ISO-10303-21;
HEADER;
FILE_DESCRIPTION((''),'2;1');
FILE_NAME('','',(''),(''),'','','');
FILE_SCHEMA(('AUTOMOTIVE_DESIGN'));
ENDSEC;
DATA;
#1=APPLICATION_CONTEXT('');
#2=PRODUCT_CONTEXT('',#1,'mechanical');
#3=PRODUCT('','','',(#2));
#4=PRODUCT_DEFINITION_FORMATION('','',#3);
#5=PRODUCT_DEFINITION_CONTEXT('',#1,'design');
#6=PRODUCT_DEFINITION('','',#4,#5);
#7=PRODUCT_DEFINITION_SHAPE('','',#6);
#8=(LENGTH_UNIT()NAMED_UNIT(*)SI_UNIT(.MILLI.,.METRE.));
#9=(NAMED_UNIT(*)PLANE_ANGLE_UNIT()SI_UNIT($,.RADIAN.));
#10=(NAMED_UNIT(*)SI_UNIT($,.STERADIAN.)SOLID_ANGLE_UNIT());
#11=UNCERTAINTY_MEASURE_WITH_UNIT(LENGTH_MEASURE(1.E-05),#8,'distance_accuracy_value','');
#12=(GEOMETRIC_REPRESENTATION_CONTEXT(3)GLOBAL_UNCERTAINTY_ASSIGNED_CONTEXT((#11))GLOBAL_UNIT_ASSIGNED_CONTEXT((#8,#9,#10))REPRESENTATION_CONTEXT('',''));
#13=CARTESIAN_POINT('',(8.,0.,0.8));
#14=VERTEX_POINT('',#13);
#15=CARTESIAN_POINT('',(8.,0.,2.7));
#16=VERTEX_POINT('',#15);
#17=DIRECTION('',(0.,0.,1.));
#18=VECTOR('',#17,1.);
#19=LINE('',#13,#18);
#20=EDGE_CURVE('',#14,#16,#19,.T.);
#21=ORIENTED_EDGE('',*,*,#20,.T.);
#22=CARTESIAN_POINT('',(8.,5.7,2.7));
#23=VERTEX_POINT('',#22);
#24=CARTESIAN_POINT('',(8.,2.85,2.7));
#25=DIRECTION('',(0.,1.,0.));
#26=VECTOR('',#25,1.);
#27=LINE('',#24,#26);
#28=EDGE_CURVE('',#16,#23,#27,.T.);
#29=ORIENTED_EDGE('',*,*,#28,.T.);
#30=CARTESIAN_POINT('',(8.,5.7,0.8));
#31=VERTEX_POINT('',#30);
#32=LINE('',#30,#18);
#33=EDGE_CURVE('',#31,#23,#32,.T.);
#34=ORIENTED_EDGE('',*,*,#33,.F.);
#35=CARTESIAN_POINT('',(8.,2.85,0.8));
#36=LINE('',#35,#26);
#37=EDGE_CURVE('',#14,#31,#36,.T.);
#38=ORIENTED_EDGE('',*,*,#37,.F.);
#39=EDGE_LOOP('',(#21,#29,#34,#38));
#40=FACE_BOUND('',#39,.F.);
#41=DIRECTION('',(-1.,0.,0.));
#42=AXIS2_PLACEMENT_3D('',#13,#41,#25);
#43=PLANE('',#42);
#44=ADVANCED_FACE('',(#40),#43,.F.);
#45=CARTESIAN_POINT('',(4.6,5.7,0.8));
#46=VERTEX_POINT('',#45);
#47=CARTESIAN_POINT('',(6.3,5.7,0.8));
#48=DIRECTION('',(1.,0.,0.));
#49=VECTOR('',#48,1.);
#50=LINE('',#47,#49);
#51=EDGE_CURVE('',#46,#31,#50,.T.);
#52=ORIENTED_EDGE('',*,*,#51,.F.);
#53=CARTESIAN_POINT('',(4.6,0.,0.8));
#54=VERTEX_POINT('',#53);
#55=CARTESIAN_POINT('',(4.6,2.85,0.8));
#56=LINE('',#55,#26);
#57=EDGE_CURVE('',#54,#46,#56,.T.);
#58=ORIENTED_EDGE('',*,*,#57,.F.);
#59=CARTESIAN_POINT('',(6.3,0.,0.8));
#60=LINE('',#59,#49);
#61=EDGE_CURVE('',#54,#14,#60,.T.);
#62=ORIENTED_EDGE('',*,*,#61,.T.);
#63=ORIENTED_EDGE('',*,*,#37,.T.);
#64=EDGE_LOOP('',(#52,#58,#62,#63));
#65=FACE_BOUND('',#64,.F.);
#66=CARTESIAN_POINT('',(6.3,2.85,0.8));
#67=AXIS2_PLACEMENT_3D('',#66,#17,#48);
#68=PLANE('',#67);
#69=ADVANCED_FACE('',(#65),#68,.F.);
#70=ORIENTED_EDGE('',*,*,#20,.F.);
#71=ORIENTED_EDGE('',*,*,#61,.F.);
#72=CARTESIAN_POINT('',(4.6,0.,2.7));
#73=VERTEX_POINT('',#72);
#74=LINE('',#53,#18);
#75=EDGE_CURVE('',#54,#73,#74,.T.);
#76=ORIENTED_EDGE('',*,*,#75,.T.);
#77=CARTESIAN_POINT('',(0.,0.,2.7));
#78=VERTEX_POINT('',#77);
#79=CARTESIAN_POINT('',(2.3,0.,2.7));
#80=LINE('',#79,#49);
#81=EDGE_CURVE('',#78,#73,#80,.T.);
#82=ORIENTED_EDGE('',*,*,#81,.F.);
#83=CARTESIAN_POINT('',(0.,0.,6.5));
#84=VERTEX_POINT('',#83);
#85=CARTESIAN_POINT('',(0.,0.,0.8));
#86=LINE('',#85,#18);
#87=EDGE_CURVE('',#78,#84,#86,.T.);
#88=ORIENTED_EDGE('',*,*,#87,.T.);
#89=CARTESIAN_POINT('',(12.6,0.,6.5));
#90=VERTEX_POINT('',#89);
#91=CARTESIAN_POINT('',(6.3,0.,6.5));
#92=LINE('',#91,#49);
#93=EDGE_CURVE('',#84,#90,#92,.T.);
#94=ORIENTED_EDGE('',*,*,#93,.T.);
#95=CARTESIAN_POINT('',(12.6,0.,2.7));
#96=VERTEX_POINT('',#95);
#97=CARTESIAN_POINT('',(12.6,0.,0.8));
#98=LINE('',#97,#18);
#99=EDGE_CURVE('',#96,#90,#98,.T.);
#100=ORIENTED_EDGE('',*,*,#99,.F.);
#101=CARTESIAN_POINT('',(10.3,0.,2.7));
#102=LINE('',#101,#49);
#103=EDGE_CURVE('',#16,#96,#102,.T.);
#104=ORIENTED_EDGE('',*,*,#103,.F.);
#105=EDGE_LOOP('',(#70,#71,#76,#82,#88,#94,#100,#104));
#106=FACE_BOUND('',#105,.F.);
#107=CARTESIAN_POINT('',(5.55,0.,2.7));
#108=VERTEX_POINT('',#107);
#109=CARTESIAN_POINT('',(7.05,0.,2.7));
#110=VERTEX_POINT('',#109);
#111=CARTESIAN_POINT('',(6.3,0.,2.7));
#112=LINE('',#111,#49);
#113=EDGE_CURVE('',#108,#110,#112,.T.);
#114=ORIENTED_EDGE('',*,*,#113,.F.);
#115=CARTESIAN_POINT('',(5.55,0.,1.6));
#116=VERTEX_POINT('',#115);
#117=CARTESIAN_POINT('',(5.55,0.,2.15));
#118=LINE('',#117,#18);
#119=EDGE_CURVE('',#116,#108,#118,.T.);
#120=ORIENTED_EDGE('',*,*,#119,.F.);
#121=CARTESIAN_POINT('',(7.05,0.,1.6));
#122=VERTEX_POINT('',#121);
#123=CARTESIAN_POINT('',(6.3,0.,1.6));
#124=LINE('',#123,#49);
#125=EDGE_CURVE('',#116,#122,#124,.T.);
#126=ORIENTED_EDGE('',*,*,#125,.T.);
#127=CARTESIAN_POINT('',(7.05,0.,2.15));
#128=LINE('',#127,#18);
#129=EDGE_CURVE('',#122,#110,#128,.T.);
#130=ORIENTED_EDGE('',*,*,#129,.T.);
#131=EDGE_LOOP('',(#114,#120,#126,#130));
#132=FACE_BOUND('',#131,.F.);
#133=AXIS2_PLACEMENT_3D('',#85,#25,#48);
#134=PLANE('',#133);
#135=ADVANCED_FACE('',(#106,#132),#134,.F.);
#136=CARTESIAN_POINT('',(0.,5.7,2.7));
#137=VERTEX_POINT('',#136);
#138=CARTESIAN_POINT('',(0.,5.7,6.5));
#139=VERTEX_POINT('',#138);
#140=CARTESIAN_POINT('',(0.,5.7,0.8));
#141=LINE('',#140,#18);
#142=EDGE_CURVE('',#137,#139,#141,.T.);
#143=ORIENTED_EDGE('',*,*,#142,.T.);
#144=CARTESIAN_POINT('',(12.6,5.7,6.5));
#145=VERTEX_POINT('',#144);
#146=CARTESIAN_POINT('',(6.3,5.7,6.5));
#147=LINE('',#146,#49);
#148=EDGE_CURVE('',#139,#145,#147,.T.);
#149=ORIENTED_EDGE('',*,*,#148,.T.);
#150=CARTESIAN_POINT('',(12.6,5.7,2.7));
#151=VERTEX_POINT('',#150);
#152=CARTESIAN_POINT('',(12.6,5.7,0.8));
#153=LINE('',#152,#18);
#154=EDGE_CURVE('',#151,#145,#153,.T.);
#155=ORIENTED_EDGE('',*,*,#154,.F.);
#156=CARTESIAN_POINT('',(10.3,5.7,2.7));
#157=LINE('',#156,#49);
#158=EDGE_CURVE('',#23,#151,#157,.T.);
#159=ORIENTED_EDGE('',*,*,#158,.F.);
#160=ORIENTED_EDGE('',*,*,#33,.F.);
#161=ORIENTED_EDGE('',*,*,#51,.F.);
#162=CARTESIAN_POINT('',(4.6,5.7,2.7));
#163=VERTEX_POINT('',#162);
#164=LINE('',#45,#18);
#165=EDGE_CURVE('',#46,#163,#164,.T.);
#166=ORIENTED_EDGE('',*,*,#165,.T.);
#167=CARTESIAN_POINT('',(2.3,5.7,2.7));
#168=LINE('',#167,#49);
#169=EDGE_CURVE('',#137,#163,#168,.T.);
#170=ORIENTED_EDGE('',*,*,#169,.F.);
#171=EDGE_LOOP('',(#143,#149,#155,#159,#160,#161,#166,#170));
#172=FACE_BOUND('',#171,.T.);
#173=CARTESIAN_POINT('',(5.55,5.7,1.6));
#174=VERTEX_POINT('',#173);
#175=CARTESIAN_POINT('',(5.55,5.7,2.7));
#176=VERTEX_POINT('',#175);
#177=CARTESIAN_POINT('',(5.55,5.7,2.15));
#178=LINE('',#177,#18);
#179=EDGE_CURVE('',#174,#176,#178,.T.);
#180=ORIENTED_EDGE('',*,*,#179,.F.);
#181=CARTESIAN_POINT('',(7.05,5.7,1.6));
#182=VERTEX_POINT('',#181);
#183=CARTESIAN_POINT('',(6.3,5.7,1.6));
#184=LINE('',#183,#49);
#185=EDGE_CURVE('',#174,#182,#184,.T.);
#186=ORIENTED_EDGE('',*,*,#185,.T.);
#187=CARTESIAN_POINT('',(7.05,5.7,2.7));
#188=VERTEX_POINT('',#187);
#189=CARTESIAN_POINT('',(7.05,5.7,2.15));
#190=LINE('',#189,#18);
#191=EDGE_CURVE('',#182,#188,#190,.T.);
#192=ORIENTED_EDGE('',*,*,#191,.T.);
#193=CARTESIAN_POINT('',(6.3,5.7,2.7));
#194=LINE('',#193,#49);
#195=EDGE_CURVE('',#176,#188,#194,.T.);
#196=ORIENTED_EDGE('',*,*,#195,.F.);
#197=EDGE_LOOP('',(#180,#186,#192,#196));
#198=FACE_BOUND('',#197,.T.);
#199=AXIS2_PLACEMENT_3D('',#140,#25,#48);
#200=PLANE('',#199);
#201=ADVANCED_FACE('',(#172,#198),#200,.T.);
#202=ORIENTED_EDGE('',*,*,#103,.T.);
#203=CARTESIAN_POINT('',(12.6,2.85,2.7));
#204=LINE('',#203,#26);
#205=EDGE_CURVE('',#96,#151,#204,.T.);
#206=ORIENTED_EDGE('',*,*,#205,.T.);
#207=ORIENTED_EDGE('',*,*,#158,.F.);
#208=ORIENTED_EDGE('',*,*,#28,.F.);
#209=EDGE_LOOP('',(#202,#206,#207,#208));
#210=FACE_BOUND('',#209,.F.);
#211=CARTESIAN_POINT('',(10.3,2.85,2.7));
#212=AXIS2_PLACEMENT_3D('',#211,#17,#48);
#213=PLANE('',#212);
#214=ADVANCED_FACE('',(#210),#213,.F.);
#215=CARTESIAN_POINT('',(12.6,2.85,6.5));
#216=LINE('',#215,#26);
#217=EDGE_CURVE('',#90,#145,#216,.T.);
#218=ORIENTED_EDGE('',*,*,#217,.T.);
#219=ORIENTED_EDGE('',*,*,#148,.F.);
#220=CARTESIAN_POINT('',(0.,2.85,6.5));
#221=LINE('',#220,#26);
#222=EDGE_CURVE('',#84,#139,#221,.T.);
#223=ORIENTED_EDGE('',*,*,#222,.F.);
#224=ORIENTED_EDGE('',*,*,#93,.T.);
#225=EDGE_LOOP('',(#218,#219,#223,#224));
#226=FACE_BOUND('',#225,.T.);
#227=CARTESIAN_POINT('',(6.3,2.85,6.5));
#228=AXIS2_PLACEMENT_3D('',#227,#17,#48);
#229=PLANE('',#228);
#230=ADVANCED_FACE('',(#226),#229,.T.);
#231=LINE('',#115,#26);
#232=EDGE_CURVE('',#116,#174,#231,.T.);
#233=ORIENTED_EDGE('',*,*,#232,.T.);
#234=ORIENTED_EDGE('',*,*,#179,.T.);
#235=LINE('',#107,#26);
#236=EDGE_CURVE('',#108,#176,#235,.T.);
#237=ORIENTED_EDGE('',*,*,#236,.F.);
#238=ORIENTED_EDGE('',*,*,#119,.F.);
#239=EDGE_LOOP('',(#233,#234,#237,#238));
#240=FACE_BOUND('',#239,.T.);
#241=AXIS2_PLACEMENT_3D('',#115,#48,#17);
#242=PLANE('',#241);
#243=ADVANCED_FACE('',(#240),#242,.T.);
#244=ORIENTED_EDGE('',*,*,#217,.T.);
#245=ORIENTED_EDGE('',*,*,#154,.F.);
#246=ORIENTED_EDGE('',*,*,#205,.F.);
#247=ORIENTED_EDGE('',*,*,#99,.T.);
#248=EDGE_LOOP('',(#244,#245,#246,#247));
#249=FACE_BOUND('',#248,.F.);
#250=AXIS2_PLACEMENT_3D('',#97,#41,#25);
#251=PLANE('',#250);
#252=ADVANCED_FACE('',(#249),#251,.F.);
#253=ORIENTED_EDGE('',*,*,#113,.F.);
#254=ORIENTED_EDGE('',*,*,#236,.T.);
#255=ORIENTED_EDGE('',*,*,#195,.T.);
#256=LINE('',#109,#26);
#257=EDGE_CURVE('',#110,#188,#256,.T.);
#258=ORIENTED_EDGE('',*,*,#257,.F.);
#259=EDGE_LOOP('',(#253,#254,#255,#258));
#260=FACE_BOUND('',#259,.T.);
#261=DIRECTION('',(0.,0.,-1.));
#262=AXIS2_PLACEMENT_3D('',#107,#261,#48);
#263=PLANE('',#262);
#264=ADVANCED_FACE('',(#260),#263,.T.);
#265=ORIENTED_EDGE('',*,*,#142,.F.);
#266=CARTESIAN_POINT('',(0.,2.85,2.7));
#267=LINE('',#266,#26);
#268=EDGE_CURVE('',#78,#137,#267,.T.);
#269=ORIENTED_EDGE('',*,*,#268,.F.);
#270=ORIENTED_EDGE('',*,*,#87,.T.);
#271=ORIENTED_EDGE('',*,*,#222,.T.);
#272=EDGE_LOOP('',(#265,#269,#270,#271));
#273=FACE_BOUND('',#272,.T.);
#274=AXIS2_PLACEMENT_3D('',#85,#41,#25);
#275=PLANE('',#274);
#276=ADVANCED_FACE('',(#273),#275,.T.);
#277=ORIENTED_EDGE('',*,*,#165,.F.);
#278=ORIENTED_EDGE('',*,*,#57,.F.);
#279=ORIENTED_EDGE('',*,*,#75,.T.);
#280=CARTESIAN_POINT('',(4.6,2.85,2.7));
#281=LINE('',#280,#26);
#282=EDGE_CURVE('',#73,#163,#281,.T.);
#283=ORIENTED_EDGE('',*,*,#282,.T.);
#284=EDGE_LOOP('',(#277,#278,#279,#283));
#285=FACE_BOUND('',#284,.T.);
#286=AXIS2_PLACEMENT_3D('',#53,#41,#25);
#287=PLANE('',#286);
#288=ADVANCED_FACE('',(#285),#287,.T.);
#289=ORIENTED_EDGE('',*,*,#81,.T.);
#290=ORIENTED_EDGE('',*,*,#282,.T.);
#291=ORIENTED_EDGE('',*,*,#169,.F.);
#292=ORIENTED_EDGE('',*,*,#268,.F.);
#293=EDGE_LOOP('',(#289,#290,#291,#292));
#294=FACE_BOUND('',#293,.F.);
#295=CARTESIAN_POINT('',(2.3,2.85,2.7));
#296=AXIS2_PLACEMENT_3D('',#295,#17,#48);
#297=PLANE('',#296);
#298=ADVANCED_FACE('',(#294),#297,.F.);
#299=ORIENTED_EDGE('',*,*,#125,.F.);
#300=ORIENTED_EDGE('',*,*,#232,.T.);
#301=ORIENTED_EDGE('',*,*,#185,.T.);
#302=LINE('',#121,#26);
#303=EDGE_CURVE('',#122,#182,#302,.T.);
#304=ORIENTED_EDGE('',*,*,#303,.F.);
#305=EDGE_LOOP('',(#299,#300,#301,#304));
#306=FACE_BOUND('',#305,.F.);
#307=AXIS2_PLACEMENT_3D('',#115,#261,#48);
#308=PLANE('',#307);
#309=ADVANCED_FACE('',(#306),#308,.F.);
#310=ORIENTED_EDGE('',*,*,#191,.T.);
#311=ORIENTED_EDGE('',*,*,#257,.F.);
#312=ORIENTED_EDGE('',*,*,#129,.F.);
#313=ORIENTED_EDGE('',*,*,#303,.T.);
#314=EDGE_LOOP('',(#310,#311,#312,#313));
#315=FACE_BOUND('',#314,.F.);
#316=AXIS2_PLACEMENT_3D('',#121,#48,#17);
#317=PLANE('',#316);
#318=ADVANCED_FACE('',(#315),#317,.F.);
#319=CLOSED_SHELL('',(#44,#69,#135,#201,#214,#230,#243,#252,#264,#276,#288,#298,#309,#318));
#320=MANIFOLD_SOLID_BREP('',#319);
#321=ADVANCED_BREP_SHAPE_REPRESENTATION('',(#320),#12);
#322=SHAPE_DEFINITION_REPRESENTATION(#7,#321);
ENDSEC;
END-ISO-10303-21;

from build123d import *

# Parameters (mm, degrees)
SKETCH008_W      = 1.5
SKETCH008_H      = 1.1
EXTRUDE008_DEPTH = 5.7
BOX004_W         = 4.6
BOX004_H         = 5.7
BOX004_DEPTH     = 1.9
BOX003_W         = 4.6
BOX003_H         = 5.7
BOX003_DEPTH     = 1.9
BOX002_W         = 12.6
BOX002_H         = 5.7
BOX002_DEPTH     = 5.7


with BuildPart() as extrude008:
    # Sketch008 (on Sketch) → Extrude008 (new body)
    with BuildSketch(Plane.XZ):
        with Locations((6.3, 2.15)):
            Rectangle(SKETCH008_W, SKETCH008_H)
    extrude(amount=-EXTRUDE008_DEPTH)


with BuildPart() as cube004:
    # Box004 → Box004 (new body)
    with BuildSketch(Plane(origin=(8, 0, 0.8), x_dir=(1, 0, 0), z_dir=(0, 0, 1))):
        with Locations((2.3, 2.85)):
            Rectangle(BOX004_W, BOX004_H)
    extrude(amount=BOX004_DEPTH)


with BuildPart() as cube003:
    # Box003 → Box003 (new body)
    with BuildSketch(Plane.XY.offset(0.8)):
        with Locations((2.3, 2.85)):
            Rectangle(BOX003_W, BOX003_H)
    extrude(amount=BOX003_DEPTH)


with BuildPart() as cut015:
    # Box002 → Box002 (new body)
    with BuildSketch(Plane.XY.offset(0.8)):
        with Locations((6.3, 2.85)):
            Rectangle(BOX002_W, BOX002_H)
    extrude(amount=BOX002_DEPTH)

    # Cut: cut Cube003
    add(cube003.part, mode=Mode.SUBTRACT)

    # Cut001: cut Cube004
    add(cube004.part, mode=Mode.SUBTRACT)

    # Cut015: cut Extrude008
    add(extrude008.part, mode=Mode.SUBTRACT)


solid = cut015.part
